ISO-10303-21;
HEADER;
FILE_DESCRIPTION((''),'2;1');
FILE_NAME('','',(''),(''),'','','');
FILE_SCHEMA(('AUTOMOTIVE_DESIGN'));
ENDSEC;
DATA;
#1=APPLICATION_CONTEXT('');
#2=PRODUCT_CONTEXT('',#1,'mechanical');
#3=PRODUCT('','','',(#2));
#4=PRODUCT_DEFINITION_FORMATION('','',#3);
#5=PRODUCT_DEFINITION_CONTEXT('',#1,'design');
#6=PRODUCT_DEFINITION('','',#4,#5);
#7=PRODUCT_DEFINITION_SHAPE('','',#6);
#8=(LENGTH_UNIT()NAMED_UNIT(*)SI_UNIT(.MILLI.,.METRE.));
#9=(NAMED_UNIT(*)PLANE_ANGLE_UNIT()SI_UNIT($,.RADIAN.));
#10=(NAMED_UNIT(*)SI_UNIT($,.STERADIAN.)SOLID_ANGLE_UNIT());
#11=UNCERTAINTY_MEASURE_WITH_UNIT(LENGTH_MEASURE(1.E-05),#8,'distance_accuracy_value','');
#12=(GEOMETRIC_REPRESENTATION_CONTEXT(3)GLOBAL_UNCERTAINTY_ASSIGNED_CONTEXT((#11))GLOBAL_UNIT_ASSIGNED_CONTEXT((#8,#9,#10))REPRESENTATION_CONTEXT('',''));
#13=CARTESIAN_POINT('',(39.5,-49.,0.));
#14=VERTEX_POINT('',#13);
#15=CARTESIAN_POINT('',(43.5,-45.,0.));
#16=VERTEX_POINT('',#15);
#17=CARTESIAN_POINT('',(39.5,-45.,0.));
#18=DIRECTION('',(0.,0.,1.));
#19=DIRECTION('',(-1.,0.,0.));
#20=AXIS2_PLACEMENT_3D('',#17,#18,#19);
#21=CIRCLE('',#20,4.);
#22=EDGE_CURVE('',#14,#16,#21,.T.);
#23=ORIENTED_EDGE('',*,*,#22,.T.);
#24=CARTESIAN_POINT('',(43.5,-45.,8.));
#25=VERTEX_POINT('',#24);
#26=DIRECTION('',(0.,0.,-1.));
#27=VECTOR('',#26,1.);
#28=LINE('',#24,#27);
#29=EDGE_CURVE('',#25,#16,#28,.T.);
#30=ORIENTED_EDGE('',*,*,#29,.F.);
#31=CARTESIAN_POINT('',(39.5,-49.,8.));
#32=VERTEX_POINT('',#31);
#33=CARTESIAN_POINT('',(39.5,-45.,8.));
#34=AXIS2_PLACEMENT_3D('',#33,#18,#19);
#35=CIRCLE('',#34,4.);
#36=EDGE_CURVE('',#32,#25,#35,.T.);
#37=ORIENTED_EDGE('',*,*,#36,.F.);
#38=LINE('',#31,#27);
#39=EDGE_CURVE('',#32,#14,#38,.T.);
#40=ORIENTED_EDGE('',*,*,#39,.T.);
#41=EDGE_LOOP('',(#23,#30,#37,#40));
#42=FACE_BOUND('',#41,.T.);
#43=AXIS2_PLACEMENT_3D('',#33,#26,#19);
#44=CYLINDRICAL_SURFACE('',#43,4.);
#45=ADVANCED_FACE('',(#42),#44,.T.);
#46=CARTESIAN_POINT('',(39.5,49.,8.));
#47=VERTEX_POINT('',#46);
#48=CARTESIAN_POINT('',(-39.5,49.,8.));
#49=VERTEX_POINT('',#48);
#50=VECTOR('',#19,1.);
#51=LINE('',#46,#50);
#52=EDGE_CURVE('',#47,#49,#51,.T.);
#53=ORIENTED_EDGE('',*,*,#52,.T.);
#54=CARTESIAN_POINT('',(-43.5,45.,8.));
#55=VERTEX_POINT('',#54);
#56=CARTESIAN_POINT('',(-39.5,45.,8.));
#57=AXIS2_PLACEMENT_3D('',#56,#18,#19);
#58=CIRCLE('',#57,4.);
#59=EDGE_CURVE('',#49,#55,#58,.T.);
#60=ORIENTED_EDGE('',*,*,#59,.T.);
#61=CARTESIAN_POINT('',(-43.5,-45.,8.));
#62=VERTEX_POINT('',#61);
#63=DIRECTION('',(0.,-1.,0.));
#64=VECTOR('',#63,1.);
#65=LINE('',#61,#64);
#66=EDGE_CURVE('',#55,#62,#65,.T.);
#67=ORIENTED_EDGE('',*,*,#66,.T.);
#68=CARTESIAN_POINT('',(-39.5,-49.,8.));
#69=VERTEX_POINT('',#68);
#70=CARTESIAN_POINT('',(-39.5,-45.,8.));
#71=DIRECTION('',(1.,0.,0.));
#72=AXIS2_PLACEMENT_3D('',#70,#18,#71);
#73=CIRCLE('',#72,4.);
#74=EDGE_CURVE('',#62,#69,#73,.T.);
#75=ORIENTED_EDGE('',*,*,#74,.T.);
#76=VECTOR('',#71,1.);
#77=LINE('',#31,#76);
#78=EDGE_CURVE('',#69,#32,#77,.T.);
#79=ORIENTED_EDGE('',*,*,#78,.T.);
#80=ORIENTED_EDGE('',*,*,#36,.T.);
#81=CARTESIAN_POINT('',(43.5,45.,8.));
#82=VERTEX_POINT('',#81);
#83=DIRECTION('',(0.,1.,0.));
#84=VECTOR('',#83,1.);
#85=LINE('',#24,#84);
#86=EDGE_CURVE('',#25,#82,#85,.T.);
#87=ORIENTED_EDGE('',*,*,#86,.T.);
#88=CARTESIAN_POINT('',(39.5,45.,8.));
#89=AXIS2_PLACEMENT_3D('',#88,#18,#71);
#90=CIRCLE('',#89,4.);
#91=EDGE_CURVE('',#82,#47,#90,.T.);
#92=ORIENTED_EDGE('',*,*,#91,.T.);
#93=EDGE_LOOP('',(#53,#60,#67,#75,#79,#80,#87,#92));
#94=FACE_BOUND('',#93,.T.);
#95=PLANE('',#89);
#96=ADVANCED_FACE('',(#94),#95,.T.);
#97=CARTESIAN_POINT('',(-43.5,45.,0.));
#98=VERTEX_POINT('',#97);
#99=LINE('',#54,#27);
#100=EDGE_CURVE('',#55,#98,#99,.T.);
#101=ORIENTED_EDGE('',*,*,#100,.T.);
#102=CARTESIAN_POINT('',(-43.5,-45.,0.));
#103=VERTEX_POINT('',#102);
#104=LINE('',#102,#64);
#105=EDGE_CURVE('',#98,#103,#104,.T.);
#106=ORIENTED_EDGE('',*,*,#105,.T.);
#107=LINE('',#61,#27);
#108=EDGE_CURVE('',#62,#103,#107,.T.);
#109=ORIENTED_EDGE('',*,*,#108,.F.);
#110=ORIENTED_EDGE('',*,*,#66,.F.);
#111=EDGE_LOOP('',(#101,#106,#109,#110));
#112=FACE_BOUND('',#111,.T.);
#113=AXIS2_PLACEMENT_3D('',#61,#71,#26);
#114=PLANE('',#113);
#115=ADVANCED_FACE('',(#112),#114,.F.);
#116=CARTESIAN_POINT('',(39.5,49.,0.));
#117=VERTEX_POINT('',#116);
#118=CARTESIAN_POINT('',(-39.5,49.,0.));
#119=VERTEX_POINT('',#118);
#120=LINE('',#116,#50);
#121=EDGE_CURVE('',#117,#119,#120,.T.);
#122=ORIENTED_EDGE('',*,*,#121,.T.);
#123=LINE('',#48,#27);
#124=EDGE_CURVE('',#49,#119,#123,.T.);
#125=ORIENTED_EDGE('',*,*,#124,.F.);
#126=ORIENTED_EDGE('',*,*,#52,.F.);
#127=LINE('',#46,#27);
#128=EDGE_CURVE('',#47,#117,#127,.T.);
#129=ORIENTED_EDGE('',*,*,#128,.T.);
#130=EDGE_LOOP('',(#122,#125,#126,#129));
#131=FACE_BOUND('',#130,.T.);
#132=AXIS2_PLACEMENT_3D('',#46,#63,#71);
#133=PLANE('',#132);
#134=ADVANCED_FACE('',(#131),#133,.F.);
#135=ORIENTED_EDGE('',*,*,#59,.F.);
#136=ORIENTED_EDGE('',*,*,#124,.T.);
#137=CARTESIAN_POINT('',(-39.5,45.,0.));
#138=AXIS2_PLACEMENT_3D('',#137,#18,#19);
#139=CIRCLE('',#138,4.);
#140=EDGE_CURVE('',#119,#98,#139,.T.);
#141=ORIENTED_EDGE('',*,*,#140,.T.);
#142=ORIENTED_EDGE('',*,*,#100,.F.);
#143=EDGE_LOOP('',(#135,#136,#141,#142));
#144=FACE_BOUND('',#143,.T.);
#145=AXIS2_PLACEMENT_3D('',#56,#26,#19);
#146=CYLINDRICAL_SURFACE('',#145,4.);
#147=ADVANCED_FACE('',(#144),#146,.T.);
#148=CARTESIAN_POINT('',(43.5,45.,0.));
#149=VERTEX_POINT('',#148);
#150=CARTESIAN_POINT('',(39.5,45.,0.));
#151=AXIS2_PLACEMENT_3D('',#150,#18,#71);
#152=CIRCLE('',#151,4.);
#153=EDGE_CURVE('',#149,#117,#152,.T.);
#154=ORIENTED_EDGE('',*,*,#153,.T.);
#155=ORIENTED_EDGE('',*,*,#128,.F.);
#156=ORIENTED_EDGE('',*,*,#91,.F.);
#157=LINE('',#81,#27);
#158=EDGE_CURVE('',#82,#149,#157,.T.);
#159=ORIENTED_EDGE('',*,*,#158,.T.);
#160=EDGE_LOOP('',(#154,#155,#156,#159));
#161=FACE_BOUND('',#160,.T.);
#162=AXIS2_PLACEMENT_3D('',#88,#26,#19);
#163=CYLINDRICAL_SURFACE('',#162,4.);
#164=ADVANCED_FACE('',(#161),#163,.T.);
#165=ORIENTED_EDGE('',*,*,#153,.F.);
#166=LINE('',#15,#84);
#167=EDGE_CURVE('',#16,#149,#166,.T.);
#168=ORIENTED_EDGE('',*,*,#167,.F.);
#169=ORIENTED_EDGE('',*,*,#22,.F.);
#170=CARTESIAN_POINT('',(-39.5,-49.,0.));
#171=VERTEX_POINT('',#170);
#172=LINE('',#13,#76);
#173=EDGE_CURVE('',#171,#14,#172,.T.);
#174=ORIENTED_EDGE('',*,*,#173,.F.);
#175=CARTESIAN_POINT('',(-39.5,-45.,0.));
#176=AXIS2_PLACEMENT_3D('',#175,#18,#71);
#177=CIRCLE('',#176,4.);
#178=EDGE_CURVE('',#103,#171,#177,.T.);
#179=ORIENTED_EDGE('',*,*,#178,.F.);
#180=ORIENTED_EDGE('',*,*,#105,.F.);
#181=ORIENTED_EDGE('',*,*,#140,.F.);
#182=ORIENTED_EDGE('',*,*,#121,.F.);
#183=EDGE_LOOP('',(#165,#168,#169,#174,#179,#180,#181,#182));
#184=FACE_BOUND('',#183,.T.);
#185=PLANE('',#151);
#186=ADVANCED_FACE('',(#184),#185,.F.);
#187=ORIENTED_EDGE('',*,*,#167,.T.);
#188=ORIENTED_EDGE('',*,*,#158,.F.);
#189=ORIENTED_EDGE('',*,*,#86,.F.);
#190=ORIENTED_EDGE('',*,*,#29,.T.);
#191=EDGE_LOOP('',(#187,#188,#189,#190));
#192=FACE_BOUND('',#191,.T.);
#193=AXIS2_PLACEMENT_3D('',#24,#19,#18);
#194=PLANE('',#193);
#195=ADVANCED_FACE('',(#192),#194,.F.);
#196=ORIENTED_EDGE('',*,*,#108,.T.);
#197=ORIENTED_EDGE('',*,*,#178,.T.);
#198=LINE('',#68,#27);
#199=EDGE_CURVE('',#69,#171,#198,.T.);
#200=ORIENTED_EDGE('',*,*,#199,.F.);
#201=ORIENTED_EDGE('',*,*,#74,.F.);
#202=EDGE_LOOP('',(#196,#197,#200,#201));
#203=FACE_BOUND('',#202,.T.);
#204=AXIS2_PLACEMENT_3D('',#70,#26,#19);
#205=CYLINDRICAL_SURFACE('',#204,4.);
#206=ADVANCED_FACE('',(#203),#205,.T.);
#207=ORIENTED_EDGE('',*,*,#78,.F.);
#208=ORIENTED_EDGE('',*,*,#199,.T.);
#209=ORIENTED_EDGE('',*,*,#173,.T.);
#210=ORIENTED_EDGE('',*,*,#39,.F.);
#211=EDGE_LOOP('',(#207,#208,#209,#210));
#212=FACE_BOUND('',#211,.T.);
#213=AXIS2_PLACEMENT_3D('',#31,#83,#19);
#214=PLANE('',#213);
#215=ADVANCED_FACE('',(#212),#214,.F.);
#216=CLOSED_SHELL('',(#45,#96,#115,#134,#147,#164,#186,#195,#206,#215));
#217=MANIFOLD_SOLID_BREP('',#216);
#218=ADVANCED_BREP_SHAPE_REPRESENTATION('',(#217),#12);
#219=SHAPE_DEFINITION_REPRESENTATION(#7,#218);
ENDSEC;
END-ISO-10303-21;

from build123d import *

# Parameters (mm, degrees)
BOSS_EXTRUDE1_DEPTH = 8


with BuildPart() as part:
    # Sketch1 → Boss-Extrude1 (new body)
    with BuildSketch(Plane.XY):
        with BuildLine():
            Line((39.5, -49), (-39.5, -49))
            ThreePointArc((-39.5, -49), (-42.328427125, -47.828427125), (-43.5, -45))
            Line((-43.5, -45), (-43.5, 45))
            ThreePointArc((-43.5, 45), (-42.328427125, 47.828427125), (-39.5, 49))
            Line((-39.5, 49), (39.5, 49))
            ThreePointArc((39.5, 49), (42.328427125, 47.828427125), (43.5, 45))
            Line((43.5, 45), (43.5, -45))
            ThreePointArc((43.5, -45), (42.328427125, -47.828427125), (39.5, -49))
        make_face()
    extrude(amount=BOSS_EXTRUDE1_DEPTH)


solid = part.part
